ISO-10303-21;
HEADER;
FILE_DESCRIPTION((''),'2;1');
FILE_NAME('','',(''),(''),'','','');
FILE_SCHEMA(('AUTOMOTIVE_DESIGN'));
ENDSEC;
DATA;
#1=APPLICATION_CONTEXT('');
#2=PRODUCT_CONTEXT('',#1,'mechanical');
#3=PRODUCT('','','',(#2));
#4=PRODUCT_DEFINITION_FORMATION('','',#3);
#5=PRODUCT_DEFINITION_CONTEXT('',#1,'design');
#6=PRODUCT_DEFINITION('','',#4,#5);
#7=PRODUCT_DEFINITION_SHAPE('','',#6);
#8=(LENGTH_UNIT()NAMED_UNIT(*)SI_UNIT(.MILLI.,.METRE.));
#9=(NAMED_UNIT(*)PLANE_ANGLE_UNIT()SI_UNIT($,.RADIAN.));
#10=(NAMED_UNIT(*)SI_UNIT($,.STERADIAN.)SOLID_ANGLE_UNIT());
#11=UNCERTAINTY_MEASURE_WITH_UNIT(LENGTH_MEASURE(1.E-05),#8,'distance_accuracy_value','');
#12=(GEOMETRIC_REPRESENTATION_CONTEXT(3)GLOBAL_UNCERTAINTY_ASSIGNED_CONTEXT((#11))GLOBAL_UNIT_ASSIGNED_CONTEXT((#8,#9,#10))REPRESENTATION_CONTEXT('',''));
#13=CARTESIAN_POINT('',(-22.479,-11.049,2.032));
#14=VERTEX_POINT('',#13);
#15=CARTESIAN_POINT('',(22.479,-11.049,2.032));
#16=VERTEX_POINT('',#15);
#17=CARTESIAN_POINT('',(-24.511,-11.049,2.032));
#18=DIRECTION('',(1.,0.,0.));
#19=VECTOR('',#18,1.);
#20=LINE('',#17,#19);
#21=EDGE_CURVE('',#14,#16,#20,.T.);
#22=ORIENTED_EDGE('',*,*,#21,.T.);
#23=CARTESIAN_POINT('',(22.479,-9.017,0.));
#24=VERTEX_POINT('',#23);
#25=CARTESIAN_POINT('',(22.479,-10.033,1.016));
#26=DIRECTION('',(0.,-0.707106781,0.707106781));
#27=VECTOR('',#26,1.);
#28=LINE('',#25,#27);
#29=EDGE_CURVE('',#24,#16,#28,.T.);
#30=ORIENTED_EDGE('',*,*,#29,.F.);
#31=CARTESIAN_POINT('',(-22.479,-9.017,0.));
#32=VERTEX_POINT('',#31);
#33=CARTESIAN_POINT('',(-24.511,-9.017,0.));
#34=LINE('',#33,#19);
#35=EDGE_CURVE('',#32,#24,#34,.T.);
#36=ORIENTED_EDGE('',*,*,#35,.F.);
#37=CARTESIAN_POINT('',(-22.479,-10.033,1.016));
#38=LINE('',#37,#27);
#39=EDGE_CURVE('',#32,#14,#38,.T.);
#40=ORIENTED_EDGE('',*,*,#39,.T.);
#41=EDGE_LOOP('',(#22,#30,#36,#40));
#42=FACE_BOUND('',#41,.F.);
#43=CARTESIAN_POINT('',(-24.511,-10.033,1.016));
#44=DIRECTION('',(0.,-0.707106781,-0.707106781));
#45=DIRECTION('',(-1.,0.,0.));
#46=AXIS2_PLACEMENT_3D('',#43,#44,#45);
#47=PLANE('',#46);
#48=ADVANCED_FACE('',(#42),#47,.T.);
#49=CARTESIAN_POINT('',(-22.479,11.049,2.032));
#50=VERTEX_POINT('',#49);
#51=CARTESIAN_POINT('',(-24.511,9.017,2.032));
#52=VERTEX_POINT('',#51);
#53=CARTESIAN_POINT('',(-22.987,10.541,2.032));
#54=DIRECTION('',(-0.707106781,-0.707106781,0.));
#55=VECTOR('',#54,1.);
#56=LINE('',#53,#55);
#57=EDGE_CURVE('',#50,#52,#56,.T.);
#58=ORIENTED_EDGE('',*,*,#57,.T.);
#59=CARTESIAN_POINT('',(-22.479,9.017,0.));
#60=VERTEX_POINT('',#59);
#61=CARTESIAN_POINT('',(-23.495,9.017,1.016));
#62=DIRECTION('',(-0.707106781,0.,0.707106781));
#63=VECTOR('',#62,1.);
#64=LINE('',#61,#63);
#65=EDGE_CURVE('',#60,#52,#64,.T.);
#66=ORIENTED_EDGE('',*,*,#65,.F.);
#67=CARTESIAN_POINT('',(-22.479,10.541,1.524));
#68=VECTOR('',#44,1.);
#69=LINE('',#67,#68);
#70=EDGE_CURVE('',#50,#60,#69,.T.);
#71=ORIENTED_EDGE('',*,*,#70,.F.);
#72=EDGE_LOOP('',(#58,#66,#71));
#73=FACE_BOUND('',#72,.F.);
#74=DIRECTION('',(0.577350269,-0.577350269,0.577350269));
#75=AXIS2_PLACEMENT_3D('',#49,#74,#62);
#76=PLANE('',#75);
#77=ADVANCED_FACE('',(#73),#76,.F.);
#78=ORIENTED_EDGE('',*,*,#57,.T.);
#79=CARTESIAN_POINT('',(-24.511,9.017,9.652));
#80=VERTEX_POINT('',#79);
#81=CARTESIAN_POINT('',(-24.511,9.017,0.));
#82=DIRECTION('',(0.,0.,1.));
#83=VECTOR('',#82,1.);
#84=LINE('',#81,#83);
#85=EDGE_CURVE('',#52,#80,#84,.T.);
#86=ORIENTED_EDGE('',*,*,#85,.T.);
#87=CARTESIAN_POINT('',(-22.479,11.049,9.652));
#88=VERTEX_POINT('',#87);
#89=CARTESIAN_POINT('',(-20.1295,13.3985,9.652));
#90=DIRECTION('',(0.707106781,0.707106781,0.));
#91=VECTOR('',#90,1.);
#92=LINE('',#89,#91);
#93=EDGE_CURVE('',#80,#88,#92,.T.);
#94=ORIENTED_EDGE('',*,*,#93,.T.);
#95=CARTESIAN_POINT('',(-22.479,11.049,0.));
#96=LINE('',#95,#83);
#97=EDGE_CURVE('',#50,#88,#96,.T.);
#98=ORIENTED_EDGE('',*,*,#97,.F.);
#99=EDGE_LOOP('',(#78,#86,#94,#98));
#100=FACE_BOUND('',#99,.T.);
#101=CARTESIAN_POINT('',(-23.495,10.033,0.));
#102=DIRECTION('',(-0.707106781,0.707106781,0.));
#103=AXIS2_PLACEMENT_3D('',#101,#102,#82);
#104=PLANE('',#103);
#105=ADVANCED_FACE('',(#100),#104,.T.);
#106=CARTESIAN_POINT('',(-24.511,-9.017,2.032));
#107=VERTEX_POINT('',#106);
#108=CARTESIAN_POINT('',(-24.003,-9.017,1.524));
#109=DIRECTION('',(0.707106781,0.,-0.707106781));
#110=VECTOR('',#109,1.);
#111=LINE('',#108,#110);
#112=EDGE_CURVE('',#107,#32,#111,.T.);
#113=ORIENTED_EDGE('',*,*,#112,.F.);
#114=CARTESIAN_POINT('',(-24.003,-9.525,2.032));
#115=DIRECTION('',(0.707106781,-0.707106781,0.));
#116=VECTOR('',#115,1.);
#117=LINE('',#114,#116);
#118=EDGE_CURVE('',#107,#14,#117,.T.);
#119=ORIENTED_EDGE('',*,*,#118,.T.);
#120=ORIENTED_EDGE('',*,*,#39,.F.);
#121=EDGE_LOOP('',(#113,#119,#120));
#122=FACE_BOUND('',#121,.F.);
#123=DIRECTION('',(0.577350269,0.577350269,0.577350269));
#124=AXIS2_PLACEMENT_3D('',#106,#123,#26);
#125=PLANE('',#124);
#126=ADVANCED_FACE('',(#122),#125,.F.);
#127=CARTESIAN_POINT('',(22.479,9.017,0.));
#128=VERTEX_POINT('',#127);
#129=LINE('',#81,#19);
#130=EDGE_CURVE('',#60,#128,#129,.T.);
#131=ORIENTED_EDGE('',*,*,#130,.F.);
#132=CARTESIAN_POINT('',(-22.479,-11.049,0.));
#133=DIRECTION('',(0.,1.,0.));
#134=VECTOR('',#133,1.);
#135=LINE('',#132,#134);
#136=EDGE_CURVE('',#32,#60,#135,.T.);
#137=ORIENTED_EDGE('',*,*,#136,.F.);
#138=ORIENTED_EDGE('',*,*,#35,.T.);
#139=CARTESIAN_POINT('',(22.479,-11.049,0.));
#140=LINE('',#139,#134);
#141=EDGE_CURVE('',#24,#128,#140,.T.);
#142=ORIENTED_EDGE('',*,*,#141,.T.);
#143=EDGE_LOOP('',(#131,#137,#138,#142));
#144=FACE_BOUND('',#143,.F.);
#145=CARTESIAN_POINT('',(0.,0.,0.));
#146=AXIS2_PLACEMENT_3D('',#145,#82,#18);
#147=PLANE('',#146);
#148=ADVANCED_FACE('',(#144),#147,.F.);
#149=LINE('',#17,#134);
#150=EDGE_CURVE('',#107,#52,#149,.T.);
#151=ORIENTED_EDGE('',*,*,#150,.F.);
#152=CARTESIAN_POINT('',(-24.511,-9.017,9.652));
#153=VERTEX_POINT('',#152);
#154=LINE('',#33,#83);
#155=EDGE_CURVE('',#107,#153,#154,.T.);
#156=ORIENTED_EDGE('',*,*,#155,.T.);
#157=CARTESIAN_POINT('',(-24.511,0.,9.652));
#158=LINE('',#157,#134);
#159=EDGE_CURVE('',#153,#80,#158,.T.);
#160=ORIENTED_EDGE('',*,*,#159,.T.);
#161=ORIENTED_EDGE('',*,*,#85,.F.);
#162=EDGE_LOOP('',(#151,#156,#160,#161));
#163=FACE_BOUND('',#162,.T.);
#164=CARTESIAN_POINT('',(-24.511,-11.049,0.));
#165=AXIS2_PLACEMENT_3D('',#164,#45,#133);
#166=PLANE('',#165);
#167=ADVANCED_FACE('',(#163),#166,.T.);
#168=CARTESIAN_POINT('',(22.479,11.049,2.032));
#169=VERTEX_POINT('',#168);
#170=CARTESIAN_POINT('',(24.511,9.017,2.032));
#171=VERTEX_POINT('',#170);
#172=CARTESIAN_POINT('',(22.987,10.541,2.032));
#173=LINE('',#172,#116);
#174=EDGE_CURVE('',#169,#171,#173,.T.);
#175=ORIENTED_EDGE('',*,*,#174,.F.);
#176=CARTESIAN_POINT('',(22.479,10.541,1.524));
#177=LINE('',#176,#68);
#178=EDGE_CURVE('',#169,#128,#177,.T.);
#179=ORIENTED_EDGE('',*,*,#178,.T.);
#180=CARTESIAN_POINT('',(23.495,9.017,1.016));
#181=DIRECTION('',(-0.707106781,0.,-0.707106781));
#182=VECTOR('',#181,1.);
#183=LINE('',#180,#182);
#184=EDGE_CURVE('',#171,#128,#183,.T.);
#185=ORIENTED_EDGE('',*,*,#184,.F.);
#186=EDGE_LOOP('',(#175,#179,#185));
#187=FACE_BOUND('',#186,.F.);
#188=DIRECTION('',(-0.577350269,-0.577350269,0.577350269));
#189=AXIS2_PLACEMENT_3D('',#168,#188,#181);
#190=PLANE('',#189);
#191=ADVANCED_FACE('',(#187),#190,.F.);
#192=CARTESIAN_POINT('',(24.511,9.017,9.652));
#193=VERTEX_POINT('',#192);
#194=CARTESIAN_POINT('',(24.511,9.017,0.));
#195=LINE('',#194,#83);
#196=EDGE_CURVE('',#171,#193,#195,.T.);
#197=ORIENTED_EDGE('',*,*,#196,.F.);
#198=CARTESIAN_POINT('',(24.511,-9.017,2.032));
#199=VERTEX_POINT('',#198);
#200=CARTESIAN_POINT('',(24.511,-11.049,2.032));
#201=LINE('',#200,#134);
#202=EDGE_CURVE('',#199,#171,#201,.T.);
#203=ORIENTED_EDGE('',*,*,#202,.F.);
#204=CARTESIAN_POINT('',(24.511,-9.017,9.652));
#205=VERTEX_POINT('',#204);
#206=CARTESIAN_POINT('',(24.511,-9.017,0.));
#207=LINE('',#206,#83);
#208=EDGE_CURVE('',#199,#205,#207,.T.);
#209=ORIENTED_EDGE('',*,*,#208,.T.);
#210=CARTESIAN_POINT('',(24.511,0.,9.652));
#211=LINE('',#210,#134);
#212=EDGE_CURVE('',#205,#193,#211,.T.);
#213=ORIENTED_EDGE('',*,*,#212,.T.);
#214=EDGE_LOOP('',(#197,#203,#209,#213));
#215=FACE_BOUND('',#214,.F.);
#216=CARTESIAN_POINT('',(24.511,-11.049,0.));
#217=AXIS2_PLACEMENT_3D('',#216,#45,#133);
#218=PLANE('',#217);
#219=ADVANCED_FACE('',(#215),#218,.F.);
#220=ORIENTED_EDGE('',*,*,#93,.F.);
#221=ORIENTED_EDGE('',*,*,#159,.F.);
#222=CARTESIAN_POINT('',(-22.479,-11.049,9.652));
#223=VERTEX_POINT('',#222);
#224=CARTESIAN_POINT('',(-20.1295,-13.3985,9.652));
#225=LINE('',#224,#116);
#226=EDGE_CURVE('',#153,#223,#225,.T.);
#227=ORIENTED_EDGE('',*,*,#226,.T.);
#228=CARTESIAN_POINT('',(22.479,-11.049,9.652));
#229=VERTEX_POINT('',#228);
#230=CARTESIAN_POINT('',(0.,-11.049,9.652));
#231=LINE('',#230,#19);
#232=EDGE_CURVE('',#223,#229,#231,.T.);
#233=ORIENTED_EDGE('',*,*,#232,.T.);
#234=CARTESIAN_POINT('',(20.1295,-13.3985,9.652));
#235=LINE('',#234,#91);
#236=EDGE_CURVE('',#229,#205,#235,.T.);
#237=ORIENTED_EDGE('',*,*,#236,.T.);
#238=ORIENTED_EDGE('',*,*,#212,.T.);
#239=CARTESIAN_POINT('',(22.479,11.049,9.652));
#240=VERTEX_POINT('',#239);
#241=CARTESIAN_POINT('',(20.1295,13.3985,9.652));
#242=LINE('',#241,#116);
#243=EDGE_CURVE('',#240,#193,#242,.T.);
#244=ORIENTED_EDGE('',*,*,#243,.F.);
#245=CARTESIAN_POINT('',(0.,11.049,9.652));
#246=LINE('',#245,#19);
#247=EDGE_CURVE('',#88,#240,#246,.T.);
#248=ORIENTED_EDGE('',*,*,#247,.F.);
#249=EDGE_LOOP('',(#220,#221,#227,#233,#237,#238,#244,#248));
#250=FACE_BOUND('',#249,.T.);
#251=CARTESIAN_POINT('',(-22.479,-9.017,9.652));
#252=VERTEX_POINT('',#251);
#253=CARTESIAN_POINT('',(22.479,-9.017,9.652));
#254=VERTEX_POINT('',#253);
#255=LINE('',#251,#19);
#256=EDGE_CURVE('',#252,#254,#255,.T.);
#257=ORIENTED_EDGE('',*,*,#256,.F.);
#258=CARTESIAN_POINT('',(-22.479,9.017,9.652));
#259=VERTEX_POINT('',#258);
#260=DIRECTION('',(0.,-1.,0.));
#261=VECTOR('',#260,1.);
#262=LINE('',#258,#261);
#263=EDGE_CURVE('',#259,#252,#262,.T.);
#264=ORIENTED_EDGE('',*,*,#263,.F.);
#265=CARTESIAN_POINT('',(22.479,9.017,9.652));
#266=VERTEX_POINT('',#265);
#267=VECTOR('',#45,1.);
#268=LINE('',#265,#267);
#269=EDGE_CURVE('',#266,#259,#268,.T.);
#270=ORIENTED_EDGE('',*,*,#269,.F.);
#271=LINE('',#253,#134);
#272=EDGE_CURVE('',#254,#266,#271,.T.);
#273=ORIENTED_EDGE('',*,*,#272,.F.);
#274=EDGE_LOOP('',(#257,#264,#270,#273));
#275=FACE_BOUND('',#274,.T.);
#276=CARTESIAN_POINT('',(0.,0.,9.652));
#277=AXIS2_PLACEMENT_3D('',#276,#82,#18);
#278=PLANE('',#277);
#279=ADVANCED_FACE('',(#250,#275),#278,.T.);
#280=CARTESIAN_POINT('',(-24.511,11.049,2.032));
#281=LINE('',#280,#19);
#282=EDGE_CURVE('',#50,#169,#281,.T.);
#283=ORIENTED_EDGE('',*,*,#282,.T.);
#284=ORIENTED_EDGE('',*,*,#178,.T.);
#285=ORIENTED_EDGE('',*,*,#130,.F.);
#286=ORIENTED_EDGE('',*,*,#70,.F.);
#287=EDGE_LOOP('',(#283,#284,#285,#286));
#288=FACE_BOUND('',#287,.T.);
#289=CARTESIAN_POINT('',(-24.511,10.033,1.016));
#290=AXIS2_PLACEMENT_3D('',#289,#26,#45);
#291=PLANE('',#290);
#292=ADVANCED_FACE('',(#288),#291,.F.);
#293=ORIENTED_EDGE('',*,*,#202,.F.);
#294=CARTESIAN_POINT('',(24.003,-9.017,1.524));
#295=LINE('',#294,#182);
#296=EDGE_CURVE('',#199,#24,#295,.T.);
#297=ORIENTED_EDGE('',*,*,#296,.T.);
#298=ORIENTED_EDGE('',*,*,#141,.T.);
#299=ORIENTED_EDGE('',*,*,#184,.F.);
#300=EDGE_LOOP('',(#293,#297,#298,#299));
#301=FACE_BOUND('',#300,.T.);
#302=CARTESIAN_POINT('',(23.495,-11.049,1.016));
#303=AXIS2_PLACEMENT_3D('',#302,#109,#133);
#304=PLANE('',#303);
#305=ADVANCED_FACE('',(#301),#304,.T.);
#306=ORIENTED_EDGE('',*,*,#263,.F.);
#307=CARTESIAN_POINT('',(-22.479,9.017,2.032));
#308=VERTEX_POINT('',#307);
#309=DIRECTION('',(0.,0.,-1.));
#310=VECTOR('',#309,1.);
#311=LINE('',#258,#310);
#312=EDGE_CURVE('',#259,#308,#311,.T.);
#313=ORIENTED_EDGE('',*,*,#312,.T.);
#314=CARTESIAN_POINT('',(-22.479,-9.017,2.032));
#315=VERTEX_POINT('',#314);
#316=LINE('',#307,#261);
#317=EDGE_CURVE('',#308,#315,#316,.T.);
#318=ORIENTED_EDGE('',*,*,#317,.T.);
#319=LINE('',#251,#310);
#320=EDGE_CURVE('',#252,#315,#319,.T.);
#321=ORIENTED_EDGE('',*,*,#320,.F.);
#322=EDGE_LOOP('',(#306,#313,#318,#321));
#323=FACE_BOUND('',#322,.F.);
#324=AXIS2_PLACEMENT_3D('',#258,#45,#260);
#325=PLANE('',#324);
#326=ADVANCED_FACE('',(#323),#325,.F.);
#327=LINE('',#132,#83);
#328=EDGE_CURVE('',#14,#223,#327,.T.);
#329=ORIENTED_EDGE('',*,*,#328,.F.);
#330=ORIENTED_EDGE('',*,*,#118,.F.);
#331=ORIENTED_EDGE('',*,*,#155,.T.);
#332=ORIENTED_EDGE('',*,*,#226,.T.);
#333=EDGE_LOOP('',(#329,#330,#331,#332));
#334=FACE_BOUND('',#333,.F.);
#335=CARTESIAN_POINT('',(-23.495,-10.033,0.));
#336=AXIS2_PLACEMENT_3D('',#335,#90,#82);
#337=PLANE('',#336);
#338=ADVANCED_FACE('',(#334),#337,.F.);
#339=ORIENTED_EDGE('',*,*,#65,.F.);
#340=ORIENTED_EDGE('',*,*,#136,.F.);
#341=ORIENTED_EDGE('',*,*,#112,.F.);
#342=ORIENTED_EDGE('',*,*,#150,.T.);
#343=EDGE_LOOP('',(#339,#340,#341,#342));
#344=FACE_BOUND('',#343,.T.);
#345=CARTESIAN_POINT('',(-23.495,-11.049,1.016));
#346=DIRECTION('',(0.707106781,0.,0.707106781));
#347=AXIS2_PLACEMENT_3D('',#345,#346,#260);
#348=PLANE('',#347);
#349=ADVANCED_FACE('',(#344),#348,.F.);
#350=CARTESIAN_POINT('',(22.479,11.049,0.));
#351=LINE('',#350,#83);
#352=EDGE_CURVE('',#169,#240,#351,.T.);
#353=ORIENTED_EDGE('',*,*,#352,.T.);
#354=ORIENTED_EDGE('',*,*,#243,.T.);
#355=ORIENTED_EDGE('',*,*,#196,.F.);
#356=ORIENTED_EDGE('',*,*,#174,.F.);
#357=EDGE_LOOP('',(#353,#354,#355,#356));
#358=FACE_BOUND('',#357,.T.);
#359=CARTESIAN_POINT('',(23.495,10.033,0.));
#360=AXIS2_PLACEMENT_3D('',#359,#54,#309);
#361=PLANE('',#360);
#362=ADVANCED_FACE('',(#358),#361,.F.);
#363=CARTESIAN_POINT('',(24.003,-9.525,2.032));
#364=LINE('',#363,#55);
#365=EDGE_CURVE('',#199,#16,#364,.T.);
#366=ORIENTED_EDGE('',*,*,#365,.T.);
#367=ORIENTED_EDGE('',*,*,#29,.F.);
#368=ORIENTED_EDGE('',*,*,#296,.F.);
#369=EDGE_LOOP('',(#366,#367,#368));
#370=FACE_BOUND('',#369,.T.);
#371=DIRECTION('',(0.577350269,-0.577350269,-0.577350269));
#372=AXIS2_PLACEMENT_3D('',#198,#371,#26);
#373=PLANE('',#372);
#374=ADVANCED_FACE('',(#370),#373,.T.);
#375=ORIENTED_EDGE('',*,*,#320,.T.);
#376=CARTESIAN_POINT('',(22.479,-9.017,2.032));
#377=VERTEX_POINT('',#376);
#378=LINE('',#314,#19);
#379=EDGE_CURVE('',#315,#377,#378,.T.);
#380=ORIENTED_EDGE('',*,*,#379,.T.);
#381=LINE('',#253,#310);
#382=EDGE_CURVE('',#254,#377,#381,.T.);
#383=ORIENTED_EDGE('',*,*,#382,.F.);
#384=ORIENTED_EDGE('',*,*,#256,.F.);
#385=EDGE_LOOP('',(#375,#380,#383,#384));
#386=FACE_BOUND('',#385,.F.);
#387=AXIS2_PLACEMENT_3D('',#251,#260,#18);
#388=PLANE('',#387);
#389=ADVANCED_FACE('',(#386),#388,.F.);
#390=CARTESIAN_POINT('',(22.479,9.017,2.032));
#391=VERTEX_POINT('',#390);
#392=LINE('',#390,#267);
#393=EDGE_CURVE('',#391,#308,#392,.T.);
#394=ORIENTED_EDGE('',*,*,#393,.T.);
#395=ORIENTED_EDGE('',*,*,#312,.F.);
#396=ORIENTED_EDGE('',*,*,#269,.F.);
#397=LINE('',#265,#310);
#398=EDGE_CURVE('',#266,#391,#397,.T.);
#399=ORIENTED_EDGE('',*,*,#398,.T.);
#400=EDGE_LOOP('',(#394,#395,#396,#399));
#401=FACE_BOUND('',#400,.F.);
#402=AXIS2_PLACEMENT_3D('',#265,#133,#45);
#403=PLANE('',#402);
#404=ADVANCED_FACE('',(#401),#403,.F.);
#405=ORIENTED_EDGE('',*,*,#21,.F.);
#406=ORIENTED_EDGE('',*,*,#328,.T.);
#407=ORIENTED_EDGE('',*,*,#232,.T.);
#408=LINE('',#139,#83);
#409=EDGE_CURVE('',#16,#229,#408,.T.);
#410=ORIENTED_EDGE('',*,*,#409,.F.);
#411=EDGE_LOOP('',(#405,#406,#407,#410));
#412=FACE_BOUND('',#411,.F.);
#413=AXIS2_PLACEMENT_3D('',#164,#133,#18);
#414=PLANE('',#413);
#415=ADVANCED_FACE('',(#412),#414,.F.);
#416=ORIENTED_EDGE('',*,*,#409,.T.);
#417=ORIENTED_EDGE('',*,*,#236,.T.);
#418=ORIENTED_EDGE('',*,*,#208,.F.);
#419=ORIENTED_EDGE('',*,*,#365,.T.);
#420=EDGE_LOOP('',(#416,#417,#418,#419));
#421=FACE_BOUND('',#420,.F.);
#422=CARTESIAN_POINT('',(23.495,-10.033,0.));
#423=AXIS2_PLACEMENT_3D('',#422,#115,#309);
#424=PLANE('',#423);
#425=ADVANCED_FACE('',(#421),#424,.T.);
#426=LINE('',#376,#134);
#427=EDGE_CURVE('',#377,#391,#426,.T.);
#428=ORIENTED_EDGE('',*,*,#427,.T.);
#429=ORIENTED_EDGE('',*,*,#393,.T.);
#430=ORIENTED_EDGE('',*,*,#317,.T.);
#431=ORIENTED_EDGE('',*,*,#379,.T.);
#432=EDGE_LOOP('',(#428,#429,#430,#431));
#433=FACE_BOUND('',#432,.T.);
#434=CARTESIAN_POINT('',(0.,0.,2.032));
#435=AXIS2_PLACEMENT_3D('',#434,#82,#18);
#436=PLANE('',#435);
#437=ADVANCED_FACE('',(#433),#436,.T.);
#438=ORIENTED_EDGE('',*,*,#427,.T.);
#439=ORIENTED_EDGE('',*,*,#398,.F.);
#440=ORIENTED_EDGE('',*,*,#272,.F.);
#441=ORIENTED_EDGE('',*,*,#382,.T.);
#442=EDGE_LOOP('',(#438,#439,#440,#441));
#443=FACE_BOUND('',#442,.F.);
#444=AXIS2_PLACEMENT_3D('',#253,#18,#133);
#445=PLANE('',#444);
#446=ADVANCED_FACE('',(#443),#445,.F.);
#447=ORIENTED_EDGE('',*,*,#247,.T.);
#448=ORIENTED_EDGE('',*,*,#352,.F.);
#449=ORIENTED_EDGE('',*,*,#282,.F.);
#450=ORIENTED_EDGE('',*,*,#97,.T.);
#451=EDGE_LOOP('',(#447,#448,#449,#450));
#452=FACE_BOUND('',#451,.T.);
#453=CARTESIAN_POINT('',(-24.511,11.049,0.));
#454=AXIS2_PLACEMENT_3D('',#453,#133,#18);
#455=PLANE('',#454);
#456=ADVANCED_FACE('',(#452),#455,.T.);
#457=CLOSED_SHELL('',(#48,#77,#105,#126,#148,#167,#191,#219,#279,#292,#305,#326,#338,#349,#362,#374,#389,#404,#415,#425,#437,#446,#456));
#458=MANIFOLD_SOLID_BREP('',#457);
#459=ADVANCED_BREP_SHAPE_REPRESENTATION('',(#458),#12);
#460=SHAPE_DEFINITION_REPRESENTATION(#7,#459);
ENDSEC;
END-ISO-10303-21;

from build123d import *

# Parameters (mm, degrees)
F0_W     = 49.022
F0_H     = 22.098
F1_DEPTH = 9.652
F3_DEPTH = 7.62
F4_SIZE  = 2.032


with BuildPart() as f1:
    # F0 (on Top) → F1 (new body)
    with BuildSketch(Plane.XY):
        Rectangle(F0_W, F0_H)
    extrude(amount=F1_DEPTH)

    # F2 (on face) → F3 (cut)
    with BuildSketch(Plane.XY.offset(9.652)):
        Polygon((22.479, 9.017), (-22.479, 9.017), (-22.479, 4.28625), (-22.479, -4.28625), (-22.479, -9.017), (22.479, -9.017), align=None)
    extrude(amount=-F3_DEPTH, mode=Mode.SUBTRACT)

    # F4
    f4_edges = [f1.edges().sort_by_distance(p)[0] for p in [
        (0, -11.049, 0),
        (24.511, 0, 0),
        (24.511, -11.049, 4.826),
        (24.511, 11.049, 4.826),
        (-24.511, 0, 0),
        (0, 11.049, 0),
        (-24.511, -11.049, 4.826),
        (-24.511, 11.049, 4.826),
    ]]
    chamfer(f4_edges, length=F4_SIZE)


solid = f1.part
